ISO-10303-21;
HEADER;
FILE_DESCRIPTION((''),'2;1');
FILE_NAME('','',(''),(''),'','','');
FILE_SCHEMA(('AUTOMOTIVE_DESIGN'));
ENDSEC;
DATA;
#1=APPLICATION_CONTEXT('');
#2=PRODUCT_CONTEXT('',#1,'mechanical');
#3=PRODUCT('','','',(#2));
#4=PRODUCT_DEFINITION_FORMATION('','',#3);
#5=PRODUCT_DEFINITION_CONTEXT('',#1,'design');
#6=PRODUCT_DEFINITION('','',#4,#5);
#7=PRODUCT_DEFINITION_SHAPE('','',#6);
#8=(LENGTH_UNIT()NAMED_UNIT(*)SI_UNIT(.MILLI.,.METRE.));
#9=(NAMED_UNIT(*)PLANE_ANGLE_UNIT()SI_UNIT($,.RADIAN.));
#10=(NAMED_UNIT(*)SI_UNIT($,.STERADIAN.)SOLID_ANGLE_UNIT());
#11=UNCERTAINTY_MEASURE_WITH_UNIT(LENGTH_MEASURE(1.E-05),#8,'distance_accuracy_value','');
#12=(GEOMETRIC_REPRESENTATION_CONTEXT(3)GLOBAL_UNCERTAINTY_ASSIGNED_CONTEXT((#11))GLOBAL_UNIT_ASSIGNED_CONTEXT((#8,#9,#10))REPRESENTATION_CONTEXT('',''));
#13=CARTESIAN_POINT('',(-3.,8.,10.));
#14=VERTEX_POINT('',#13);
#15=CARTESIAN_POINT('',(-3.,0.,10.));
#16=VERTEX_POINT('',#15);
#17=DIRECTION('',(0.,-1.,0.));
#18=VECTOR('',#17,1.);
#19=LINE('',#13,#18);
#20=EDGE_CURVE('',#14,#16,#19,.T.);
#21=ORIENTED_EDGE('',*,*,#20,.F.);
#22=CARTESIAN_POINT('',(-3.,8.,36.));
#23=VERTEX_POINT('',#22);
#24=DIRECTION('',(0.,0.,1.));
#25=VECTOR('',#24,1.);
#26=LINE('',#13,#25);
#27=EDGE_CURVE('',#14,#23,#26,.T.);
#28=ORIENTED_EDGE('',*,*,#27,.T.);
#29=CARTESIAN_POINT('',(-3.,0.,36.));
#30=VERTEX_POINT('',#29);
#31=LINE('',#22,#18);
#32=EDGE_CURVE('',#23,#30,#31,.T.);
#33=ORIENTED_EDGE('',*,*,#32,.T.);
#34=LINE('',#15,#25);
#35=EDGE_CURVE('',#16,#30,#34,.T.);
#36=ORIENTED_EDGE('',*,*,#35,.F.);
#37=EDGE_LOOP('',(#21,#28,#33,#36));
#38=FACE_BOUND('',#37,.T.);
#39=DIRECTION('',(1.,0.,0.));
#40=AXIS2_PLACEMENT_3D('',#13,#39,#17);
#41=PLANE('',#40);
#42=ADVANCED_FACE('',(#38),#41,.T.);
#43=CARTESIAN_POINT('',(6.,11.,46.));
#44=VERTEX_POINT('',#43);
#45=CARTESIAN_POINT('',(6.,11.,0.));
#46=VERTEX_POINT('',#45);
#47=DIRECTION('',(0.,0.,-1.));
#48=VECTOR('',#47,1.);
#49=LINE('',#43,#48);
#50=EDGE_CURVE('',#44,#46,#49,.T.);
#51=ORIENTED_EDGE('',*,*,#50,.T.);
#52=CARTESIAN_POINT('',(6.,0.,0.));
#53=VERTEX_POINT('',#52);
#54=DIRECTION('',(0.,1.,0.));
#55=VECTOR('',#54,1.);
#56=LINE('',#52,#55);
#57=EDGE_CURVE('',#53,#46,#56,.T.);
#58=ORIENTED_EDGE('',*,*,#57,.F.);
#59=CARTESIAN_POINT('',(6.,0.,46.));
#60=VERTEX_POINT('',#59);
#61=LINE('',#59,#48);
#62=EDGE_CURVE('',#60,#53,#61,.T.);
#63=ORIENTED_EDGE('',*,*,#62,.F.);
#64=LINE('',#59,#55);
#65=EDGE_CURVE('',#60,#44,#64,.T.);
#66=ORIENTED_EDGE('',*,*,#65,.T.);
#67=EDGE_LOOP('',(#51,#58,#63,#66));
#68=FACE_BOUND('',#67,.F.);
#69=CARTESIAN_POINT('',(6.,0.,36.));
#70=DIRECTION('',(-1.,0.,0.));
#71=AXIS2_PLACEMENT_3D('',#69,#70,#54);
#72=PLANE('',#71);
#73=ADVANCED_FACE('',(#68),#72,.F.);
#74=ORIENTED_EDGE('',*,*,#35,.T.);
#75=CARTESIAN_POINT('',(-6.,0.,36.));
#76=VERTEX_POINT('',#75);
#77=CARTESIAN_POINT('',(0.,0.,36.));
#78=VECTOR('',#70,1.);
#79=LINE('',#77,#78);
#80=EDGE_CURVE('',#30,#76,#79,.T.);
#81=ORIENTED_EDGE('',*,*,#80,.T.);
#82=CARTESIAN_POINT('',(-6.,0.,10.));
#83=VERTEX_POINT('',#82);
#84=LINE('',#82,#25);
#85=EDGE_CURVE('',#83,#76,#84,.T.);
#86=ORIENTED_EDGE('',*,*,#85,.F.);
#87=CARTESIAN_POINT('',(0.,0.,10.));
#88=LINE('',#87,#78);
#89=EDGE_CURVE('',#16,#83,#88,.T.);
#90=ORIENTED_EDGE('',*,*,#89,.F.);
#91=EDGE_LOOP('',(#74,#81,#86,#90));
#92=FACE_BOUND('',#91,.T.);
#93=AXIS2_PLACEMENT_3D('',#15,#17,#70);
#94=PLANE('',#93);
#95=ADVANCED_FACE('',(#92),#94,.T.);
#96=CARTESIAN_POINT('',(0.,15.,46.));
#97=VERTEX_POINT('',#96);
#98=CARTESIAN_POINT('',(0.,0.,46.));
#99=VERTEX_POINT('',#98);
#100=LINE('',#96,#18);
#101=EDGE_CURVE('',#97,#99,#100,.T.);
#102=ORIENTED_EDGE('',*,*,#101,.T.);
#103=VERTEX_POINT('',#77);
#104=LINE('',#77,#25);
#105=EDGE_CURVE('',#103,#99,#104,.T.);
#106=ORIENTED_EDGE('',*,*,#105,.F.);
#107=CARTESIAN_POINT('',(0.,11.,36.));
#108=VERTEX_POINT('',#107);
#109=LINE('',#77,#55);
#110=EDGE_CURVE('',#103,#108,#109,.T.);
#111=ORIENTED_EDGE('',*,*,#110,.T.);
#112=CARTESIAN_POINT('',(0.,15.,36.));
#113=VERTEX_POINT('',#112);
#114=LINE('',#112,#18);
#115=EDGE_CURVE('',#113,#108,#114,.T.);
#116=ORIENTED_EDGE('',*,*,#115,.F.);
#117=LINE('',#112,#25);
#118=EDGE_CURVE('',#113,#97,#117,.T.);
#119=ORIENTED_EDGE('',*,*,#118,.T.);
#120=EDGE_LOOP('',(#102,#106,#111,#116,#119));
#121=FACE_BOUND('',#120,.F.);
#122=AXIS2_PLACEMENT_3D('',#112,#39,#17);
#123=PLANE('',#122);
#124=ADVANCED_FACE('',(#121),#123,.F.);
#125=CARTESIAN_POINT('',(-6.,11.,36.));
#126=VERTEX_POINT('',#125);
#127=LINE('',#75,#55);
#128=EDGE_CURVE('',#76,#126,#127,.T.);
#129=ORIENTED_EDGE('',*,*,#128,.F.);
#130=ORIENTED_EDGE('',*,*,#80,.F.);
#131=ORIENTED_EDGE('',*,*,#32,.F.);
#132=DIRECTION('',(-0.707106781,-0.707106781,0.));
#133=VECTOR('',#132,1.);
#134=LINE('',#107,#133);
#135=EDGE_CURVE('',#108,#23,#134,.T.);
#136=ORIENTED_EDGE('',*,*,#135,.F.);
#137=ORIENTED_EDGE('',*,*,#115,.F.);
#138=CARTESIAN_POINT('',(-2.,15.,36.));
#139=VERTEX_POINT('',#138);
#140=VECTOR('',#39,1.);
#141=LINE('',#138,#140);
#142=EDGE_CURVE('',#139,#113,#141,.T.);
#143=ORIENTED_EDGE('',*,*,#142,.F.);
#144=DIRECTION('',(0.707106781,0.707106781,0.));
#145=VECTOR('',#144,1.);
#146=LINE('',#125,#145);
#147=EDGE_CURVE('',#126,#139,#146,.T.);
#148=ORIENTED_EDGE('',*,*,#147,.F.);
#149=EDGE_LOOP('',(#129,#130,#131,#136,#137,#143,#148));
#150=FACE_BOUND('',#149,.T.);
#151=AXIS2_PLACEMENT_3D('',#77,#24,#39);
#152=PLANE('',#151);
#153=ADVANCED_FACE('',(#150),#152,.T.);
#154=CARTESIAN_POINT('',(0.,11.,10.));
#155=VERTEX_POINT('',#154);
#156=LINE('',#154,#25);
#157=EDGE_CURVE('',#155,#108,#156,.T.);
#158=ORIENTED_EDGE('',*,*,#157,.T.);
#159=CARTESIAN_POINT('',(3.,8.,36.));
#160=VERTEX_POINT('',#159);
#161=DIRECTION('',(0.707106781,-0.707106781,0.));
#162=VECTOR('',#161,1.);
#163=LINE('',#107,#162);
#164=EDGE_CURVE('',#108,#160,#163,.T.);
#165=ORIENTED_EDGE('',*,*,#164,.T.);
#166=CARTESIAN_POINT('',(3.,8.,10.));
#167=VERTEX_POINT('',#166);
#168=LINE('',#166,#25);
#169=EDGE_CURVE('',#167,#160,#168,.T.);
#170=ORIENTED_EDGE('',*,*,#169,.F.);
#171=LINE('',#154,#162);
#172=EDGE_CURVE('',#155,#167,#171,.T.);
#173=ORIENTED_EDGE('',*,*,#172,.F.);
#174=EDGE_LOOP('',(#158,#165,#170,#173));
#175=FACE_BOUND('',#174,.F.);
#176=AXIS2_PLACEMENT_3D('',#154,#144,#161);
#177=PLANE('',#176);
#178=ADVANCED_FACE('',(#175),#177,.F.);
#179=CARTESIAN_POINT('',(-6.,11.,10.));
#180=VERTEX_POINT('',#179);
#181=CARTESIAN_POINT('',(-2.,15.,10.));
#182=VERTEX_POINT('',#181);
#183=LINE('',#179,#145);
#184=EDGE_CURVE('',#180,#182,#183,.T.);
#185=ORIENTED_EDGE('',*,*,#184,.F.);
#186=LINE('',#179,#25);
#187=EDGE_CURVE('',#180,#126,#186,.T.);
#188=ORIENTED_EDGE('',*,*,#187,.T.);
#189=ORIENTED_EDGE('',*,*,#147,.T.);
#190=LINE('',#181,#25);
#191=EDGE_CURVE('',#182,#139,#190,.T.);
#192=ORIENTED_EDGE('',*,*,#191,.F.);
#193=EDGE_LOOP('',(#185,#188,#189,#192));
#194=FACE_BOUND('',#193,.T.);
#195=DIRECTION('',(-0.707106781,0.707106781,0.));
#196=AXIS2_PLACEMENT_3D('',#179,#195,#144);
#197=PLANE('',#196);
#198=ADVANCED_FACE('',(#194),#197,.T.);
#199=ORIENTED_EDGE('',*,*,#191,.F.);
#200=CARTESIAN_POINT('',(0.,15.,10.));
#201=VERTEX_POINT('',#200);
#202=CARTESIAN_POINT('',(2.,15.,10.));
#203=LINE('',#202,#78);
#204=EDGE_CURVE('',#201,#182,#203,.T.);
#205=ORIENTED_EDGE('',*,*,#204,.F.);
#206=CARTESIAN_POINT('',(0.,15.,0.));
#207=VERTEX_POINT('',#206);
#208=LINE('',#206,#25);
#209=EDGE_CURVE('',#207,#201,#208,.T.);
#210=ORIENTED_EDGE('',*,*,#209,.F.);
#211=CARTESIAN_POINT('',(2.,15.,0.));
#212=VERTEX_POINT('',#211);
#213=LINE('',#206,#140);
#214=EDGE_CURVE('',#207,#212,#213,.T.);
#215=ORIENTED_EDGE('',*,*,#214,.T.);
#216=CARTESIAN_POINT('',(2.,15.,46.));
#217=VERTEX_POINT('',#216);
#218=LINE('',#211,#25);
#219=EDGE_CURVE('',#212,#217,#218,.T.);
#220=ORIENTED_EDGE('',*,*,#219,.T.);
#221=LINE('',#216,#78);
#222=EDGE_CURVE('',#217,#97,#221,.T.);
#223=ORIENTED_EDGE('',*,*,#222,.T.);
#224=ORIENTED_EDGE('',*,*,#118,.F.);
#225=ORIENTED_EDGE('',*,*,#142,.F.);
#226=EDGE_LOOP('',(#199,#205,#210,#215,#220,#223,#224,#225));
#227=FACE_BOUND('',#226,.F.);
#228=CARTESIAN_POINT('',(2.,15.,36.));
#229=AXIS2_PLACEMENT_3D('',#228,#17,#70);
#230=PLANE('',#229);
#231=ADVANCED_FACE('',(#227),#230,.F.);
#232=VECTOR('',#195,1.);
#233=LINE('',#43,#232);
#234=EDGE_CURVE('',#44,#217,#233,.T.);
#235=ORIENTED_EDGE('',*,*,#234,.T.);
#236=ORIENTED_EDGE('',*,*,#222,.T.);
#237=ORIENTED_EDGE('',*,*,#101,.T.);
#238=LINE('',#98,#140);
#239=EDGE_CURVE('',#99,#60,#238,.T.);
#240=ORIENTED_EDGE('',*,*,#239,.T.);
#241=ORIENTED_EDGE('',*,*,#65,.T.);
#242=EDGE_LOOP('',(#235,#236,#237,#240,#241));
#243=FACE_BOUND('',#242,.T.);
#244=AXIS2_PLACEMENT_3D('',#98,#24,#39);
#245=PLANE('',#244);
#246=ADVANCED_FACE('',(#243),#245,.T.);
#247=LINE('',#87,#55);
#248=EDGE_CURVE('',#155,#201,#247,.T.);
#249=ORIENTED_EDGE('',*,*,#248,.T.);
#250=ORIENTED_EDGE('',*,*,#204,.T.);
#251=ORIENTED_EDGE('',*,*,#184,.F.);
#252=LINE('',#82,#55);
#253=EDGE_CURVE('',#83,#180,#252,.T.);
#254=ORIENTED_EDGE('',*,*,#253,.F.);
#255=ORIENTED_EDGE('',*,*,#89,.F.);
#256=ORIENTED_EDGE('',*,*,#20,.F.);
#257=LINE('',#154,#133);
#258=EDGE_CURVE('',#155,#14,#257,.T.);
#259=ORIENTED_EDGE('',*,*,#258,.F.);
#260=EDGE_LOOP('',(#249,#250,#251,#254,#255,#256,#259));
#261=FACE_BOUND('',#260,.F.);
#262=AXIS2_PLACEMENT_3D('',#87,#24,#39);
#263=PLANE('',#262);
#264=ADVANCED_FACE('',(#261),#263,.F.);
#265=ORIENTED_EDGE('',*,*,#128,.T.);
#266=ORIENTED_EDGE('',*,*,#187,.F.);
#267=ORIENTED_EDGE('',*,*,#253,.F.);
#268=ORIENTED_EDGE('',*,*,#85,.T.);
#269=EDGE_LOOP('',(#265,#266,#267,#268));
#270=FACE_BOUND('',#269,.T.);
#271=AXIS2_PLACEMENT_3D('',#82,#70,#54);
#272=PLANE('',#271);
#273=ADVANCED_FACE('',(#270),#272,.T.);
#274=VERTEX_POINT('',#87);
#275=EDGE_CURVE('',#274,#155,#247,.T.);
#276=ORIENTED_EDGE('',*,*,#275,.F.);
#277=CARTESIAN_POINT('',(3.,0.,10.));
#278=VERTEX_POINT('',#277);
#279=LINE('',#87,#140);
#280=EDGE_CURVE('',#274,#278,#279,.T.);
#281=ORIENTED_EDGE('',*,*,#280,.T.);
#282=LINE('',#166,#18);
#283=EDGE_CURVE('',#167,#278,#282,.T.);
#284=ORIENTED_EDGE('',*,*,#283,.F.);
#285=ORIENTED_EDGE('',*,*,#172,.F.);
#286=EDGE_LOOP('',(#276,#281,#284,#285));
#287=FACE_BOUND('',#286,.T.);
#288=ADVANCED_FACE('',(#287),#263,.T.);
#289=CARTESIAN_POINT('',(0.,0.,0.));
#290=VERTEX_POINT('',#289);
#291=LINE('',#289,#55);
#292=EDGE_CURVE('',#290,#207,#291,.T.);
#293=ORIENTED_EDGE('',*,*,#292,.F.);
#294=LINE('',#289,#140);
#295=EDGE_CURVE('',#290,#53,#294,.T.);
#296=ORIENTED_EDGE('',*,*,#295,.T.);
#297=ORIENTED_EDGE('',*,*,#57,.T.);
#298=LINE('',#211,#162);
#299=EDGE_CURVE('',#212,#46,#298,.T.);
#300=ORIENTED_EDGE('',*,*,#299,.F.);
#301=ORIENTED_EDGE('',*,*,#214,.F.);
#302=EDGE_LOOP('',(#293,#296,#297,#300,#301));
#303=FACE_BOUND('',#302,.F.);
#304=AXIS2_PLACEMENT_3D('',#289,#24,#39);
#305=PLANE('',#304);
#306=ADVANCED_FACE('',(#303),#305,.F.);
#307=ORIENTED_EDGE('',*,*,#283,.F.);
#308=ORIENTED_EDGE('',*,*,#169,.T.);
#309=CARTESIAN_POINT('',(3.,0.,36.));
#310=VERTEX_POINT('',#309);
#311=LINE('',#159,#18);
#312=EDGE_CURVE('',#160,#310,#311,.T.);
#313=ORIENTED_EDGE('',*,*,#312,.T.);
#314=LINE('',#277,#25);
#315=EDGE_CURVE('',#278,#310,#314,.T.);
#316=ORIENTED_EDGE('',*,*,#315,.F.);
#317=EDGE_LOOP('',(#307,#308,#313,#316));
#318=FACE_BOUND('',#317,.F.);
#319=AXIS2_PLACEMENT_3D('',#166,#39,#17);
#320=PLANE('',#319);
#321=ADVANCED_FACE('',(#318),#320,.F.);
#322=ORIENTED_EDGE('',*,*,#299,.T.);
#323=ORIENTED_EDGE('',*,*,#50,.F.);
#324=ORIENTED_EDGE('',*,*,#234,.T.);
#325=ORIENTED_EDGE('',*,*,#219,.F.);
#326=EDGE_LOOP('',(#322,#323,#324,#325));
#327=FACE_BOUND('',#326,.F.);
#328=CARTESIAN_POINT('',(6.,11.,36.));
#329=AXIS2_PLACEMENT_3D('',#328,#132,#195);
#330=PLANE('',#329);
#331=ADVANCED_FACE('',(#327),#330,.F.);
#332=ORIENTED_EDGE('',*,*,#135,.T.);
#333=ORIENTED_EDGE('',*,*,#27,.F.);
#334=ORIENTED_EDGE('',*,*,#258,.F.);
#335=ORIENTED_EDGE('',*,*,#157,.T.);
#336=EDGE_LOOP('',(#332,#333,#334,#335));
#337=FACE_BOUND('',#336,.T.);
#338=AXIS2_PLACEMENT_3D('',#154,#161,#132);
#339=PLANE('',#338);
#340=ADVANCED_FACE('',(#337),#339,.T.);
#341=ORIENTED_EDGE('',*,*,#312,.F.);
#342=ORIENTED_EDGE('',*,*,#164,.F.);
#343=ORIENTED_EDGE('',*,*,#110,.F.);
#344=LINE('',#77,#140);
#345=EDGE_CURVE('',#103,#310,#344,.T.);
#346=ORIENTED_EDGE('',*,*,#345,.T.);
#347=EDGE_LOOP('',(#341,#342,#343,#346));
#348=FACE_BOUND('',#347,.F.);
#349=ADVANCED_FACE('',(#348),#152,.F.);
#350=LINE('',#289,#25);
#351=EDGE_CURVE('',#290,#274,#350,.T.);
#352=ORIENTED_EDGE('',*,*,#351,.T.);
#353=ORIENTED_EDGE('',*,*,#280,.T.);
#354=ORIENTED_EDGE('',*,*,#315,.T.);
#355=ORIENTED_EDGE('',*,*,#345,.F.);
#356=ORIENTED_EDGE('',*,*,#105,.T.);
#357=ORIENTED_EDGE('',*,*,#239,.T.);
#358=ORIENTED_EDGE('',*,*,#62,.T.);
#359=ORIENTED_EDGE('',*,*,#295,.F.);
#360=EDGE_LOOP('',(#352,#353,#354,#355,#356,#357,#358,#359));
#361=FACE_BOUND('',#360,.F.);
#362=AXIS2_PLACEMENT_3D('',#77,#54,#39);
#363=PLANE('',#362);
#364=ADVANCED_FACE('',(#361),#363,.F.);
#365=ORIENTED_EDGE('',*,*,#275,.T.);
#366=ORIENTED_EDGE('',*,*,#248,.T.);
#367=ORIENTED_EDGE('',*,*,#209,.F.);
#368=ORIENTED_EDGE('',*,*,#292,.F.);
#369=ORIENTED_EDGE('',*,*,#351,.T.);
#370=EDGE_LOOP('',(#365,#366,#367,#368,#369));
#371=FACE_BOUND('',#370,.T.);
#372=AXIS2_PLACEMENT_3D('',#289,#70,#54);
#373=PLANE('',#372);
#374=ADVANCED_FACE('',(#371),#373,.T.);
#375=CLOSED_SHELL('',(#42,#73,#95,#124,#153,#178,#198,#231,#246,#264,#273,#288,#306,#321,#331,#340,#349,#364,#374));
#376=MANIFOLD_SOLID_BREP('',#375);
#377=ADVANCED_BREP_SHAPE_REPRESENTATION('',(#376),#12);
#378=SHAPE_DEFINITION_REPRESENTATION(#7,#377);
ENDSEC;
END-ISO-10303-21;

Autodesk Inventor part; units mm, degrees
ref_plane "YZ Plane" through (0, 0, 0) normal (1, 0, 0) x (0, 1, 0)
ref_plane "XZ Plane" through (0, 0, 0) normal (0, 1, 0) x (-1, 0, 0)
ref_plane "XY Plane" through (0, 0, 0) normal (0, 0, 1) x (1, 0, 0)
sketch "Sketch1" plane through (0, 0, 0) normal (0, 0, 1) x (1, 0, 0)
  line L0 (0, 0) -> (6, 0)
  line L1 (6, 0) -> (6, 11)
  line L2 (0, 0) -> (0, 15)
  line L3 (0, 15) -> (2, 15)
  line L4 (2, 15) -> (6, 11)
  dimension "d0" = 6
  dimension "d1" = 11
  dimension "d2" = 15
  dimension "d3" = 2
extrude "Extrusion1" add sketch "Sketch1" along normal blind 10
sketch "Sketch2" plane through (0, 0, 10) normal (0, 0, 1) x (1, 0, 0)
  line L0 (0, 15) -> (0, 0) projected
  line L1 (0, 0) -> (6, 0) projected
  line L2 (6, 11) -> (2, 15) projected
  line L3 (0, 11) -> (3, 8)
  line L4 (0, 11) -> (-3, 8)
  line L5 (-3, 8) -> (-3, 0)
  line L6 (2, 15) -> (0, 15) projected
  line L7 (0, 15) -> (2, 15)
  line L8 (6, 0) -> (6, 11) projected
  line L9 (2, 15) -> (6, 11)
  line L10 (6, 11) -> (6, 0)
  line L11 (6, 0) -> (0, 0)
  line L12 (0, 0) -> (-6, 0)
  line L13 (-6, 11) -> (-2, 15)
  line L14 (-2, 15) -> (0, 15)
  line L15 (-6, 0) -> (-6, 11)
  line L16 (3, 8) -> (3, 0)
  line L17 (3, 0) -> (6, 0)
  line L18 (-3, 0) -> (-6, 0)
  line L19 (0, 11) -> (0, 15)
  dimension "d6" = 3
extrude "Extrusion2" add sketch "Sketch2" along normal blind 26 contours L6 L2 L8 L1 L16 L3 L0 | L0 L4 L5 L12 L15 L13 L14
sketch "Sketch3" plane through (0, 0, 36) normal (0, 0, 1) x (1, 0, 0)
  line L0 (2, 15) -> (-2, 15) projected
  line L1 (0, 15) -> (2, 15)
  line L2 (6, 11) -> (2, 15) projected
  line L3 (2, 15) -> (6, 11)
  line L4 (6, 0) -> (6, 11) projected
  line L5 (6, 11) -> (6, 0)
  line L6 (0, 0) -> (6, 0) projected
  line L7 (6, 0) -> (0, 0)
  line L8 (0, 15) -> (0, 11) projected
  line L9 (0, 0) -> (0, 15)
extrude "Extrusion3" add sketch "Sketch3" along normal blind 10
properties part number "outside-join"
